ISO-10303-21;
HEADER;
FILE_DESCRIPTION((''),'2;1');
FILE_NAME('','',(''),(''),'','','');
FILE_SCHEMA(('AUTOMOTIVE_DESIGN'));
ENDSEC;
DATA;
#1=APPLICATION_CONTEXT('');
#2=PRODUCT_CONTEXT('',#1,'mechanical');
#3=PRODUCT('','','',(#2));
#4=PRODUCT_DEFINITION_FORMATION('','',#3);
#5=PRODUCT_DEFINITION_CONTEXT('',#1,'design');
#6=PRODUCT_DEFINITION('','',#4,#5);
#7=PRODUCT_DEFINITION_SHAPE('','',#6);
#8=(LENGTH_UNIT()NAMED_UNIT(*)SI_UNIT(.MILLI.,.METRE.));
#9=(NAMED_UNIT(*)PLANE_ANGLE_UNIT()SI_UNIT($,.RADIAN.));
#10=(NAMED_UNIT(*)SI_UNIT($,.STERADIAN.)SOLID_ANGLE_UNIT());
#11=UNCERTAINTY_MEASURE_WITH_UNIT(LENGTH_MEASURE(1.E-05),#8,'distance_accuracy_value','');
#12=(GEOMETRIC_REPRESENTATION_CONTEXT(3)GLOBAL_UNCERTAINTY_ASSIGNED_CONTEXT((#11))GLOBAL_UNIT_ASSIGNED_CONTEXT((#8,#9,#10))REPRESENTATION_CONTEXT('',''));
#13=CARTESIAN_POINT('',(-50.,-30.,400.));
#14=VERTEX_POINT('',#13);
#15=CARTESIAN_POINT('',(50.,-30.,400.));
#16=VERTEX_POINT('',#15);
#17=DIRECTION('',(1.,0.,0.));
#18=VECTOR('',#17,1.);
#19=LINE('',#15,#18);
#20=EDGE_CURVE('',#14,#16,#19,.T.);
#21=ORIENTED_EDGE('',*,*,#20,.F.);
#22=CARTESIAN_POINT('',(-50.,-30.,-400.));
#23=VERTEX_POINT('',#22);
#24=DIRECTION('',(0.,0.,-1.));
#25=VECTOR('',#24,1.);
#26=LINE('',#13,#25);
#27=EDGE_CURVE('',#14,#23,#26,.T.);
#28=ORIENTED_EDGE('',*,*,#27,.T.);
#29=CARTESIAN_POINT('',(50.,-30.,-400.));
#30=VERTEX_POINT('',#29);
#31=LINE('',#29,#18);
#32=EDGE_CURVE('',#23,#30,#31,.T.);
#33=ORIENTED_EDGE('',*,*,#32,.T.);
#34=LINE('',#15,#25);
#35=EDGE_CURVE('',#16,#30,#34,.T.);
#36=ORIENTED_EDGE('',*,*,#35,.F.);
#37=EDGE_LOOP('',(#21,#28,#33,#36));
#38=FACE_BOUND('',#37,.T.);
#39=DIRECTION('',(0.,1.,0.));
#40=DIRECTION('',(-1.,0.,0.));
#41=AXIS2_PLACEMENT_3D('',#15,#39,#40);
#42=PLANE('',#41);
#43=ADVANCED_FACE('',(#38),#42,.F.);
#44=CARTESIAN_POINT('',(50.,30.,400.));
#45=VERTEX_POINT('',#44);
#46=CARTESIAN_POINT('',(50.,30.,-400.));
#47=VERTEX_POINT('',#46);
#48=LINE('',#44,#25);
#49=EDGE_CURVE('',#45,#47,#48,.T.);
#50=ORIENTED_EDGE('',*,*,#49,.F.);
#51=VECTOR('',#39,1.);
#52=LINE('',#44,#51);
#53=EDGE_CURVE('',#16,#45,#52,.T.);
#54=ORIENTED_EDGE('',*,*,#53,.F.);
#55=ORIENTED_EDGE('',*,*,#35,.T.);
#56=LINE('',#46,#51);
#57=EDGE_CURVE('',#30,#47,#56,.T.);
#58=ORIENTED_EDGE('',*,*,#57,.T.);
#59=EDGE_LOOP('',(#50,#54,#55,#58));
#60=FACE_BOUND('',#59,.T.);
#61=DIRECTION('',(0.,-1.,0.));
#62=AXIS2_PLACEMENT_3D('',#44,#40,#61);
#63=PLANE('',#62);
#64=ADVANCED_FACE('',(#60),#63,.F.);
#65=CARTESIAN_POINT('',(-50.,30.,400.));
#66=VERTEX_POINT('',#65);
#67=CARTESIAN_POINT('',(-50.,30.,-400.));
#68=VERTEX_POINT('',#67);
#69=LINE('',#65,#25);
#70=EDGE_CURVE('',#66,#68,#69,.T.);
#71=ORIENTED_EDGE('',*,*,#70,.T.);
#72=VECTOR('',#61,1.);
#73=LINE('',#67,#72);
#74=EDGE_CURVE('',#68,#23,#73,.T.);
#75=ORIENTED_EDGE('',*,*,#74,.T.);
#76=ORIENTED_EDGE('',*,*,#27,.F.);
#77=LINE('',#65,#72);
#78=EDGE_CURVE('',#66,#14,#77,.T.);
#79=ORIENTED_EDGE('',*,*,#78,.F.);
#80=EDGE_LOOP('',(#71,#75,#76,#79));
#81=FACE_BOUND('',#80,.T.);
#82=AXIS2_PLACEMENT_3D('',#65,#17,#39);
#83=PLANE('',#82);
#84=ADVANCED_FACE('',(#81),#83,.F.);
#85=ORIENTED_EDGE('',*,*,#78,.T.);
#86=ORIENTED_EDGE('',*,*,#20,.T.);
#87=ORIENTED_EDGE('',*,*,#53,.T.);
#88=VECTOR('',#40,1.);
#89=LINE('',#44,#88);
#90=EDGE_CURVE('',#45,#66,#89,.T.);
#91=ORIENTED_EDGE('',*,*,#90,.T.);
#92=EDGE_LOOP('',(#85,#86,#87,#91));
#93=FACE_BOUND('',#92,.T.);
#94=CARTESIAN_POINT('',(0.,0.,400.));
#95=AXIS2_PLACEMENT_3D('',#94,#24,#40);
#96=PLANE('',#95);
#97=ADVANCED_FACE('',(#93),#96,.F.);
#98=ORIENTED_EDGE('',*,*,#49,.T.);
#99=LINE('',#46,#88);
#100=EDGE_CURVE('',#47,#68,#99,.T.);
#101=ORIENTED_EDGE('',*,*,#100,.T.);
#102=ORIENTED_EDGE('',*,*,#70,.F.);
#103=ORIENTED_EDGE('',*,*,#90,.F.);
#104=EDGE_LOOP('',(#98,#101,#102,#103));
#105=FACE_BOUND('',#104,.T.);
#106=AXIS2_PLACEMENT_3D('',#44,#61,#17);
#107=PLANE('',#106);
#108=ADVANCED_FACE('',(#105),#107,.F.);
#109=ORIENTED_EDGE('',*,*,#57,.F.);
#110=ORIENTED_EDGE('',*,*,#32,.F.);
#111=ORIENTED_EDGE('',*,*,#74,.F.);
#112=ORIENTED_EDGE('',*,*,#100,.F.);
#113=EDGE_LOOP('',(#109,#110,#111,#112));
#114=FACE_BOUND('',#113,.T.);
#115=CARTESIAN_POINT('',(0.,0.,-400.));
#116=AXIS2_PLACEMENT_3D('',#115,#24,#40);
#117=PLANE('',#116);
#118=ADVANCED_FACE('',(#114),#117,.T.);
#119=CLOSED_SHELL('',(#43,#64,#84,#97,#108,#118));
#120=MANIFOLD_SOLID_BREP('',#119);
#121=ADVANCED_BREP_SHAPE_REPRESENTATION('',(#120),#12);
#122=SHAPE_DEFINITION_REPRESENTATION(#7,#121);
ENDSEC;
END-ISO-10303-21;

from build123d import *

# Parameters (mm, degrees)
SKIZZE1_W                       = 100
SKIZZE1_H                       = 60
AUFSATZ_LINEAR_AUSTRAGEN1_DEPTH = 400


with BuildPart() as part:
    # Skizze1 → Aufsatz-Linear austragen1 (new, symmetric)
    with BuildSketch(Plane.XY):
        Rectangle(SKIZZE1_W, SKIZZE1_H)
    extrude(amount=AUFSATZ_LINEAR_AUSTRAGEN1_DEPTH, both=True)


solid = part.part
